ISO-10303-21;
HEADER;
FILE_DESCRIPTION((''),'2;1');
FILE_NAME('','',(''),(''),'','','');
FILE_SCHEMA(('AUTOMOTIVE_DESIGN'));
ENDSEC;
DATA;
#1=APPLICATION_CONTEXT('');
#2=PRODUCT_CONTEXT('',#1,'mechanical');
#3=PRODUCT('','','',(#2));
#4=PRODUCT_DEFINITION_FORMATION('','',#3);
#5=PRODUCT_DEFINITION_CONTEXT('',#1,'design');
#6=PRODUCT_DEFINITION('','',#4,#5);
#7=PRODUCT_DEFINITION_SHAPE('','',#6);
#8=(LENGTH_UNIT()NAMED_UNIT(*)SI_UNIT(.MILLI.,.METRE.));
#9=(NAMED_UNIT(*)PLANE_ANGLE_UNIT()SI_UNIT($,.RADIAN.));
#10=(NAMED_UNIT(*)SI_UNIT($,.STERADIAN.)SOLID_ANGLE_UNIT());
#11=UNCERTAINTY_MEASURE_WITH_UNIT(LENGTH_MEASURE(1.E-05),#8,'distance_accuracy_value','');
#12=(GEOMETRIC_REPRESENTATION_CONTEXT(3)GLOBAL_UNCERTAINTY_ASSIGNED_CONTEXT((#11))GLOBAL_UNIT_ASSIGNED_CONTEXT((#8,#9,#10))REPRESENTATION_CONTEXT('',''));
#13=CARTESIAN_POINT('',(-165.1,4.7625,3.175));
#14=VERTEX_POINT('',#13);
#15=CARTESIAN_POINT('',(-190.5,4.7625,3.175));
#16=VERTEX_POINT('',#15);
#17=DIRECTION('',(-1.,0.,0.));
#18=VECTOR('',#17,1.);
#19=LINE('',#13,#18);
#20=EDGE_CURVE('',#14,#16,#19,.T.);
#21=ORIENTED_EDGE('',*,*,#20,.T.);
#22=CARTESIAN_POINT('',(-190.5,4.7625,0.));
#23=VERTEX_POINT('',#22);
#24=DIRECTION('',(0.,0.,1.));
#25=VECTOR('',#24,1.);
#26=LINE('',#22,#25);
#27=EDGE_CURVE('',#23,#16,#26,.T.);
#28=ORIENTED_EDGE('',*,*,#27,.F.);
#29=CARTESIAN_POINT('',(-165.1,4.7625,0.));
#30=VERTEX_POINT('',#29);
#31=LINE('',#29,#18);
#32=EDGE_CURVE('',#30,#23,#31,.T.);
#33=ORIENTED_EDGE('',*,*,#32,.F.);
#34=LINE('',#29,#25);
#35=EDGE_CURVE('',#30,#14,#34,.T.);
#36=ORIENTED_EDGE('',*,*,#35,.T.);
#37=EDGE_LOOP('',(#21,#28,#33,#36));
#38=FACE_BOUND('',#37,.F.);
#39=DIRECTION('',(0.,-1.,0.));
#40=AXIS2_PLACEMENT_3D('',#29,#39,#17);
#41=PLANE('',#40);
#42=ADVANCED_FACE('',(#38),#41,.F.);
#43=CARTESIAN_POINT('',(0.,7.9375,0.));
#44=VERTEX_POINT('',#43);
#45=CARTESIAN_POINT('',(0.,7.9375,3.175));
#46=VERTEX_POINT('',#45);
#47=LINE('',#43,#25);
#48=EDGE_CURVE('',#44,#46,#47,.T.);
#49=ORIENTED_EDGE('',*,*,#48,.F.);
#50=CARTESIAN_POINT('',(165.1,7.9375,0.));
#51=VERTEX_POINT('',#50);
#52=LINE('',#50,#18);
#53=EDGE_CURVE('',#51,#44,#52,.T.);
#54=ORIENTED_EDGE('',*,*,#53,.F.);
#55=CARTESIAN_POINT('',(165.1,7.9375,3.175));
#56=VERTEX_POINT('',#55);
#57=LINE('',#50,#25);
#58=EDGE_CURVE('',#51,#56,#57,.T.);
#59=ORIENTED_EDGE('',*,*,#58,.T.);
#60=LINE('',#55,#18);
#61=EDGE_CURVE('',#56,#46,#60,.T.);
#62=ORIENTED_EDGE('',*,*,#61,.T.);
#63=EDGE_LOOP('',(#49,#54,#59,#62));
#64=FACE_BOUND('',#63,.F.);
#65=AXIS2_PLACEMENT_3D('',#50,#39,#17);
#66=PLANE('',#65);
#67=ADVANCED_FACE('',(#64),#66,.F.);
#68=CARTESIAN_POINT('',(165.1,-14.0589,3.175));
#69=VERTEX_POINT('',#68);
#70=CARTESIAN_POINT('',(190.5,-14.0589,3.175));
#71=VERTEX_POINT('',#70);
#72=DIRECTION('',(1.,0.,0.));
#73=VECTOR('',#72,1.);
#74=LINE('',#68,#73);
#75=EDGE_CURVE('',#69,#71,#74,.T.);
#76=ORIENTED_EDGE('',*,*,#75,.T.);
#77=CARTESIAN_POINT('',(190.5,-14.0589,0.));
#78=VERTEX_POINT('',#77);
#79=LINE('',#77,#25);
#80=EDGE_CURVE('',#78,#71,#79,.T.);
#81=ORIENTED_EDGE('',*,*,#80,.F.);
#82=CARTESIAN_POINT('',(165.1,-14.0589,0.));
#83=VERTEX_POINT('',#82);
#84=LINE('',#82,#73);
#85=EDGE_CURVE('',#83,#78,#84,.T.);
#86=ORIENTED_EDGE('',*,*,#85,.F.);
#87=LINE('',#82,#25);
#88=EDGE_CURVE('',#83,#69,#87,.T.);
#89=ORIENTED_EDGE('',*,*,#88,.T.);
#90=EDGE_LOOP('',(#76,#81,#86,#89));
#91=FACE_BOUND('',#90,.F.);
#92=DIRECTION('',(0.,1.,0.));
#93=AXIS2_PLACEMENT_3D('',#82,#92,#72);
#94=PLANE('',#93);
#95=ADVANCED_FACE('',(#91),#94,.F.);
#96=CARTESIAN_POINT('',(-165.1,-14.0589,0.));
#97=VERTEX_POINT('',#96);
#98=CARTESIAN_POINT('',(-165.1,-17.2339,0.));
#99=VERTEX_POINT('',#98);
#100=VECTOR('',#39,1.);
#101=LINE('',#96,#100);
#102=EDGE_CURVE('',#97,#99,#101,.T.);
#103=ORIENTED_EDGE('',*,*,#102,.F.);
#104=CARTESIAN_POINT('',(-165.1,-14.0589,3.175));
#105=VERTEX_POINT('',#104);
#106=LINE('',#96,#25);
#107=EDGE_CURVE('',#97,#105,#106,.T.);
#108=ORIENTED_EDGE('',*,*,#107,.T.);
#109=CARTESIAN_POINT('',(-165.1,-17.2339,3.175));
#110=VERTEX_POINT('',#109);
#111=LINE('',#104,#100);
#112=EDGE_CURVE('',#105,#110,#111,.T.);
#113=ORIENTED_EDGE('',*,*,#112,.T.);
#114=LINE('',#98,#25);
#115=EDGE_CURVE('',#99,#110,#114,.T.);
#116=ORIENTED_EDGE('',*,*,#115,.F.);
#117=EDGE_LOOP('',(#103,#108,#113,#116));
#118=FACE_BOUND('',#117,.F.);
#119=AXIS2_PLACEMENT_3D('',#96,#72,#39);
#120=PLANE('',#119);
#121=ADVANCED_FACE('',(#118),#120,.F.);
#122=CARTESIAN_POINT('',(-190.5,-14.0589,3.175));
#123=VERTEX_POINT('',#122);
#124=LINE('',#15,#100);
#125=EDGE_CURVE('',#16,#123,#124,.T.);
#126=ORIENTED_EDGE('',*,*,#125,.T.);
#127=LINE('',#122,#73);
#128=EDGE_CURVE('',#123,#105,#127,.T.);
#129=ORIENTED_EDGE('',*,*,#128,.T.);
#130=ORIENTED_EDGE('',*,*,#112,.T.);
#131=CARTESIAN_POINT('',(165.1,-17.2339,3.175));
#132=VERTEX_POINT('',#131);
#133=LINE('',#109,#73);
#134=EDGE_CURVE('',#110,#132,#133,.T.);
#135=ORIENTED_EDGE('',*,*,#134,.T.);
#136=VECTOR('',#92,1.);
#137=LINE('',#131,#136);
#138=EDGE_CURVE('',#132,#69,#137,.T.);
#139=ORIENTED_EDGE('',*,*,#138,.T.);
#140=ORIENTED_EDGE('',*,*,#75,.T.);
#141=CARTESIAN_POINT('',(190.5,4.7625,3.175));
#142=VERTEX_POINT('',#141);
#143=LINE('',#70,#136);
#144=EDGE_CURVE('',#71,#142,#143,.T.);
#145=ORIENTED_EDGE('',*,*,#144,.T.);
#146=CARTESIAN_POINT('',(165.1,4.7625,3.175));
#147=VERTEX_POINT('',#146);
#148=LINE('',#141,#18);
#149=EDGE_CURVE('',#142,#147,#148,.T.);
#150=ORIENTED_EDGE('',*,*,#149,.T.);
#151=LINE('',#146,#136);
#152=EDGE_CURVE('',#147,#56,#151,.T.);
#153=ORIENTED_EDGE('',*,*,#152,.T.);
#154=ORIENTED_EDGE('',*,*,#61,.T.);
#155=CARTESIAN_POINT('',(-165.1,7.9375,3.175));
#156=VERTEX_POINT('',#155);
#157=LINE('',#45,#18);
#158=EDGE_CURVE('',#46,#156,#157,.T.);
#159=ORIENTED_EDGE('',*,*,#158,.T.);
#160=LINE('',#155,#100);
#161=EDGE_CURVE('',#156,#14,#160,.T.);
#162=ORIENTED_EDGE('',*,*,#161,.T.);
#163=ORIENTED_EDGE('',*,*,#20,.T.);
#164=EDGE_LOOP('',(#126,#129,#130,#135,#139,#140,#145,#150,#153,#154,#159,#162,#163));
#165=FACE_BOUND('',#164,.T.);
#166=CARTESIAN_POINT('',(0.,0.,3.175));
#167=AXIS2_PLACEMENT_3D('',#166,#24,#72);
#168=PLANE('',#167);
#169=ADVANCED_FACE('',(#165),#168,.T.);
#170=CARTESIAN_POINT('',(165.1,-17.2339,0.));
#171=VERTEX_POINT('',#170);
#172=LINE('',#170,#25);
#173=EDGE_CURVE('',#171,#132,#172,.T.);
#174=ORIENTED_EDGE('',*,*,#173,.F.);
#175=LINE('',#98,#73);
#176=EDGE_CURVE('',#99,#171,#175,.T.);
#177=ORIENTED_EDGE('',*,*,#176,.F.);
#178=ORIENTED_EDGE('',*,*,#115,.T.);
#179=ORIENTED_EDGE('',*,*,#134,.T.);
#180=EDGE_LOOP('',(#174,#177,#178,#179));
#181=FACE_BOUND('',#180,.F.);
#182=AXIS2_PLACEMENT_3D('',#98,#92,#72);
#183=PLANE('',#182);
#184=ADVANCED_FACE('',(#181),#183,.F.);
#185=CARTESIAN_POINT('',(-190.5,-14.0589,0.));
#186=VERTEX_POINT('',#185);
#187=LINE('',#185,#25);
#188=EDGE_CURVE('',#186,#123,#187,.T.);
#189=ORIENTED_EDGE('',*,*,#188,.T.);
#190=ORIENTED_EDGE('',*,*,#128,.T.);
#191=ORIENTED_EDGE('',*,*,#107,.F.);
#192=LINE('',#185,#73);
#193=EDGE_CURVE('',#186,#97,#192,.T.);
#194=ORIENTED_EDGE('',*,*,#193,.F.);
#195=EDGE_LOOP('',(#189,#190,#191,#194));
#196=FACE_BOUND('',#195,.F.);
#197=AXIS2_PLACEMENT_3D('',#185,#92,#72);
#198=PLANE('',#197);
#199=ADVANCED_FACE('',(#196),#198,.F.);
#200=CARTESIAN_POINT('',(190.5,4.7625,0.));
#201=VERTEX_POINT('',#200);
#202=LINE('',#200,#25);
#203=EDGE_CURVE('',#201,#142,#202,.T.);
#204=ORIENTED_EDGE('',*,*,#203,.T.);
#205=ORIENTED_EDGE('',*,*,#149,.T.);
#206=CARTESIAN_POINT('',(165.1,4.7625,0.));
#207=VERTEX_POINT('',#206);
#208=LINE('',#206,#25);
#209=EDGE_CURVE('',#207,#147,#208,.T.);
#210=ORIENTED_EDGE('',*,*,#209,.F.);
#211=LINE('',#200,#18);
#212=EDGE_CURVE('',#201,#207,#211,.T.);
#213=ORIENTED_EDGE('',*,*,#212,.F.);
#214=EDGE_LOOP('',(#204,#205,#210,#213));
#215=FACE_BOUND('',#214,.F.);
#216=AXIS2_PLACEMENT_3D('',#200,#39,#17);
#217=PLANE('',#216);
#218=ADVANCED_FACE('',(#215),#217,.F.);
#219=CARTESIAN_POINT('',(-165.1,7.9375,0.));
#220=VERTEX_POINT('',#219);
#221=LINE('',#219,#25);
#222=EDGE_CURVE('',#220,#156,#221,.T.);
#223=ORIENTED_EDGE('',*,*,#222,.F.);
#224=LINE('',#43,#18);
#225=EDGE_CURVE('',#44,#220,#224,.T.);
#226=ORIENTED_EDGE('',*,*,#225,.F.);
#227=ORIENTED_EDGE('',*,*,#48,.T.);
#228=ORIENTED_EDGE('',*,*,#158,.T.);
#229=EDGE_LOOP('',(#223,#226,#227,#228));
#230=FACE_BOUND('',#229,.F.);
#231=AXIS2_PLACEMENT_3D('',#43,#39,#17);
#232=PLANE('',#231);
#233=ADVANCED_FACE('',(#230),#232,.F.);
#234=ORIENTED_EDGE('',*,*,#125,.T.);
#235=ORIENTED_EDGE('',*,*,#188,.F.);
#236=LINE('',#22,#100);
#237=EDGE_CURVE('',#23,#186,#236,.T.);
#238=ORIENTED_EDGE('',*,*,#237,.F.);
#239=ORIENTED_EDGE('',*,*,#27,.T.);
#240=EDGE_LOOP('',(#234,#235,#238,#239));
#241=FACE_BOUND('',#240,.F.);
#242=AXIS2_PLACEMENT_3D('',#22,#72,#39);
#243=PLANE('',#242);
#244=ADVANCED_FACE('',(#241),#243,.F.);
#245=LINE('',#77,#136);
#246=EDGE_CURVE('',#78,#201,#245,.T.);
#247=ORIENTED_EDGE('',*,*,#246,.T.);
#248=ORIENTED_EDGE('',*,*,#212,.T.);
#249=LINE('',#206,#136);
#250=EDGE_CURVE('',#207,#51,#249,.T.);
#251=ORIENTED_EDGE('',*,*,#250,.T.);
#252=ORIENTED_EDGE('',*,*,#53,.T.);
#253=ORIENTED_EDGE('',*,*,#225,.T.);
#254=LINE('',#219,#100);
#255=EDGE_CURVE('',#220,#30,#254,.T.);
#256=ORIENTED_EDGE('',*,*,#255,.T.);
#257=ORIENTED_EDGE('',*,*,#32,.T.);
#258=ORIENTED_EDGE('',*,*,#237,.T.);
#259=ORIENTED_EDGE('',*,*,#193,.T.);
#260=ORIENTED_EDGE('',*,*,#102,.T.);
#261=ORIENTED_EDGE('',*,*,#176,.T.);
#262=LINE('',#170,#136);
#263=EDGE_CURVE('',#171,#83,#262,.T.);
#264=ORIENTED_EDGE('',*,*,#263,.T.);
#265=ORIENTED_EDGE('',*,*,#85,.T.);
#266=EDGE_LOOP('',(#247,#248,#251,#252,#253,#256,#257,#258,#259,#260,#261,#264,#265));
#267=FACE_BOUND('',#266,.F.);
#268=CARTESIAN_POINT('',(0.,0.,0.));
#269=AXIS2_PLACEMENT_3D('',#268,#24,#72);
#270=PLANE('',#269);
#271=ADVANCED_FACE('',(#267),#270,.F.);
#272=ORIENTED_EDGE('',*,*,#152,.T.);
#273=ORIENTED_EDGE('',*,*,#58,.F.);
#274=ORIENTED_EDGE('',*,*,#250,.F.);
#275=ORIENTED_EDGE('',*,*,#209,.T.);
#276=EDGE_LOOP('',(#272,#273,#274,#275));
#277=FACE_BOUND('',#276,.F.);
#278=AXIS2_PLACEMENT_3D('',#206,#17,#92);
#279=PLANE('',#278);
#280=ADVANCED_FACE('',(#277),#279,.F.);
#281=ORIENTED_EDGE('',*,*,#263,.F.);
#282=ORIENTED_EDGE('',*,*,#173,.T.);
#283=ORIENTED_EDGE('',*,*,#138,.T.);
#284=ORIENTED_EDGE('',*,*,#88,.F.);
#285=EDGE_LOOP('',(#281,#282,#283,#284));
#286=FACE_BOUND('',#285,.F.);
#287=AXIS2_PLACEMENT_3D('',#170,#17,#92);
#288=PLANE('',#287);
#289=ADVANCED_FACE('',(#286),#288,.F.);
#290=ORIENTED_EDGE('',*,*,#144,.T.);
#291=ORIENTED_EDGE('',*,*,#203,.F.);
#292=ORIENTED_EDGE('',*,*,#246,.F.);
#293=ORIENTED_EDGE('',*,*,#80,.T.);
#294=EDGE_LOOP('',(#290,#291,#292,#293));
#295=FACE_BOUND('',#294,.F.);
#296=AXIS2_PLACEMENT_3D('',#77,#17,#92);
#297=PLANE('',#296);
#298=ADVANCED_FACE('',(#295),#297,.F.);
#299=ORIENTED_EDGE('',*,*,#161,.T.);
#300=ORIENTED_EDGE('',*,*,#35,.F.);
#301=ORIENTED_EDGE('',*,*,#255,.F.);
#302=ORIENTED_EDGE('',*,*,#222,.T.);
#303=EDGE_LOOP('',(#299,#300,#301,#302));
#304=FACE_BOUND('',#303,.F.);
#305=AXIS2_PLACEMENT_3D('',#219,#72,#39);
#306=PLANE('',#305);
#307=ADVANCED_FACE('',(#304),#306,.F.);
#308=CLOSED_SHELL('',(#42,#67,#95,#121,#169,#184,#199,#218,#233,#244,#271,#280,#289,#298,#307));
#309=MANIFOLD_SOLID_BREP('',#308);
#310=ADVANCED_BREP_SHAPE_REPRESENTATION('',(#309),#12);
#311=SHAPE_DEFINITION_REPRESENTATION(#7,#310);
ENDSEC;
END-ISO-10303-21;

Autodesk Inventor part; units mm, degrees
ref_plane "YZ Plane" through (0, 0, 0) normal (1, 0, 0) x (0, 1, 0)
ref_plane "XZ Plane" through (0, 0, 0) normal (0, 1, 0) x (-1, 0, 0)
ref_plane "XY Plane" through (0, 0, 0) normal (0, 0, 1) x (1, 0, 0)
sketch "Sketch1" plane through (0, 0, 0) normal (0, 0, 1) x (1, 0, 0)
  line L0 (0, 7.9375) -> (-165.1, 7.9375)
  line L1 (-165.1, 7.9375) -> (-165.1, 4.7625)
  line L2 (-165.1, 4.7625) -> (-190.5, 4.7625)
  line L3 (-190.5, 4.7625) -> (-190.5, -14.0589)
  line L4 (-190.5, -14.0589) -> (-165.1, -14.0589)
  line L5 (-165.1, -14.0589) -> (-165.1, -17.2339)
  line L6 (-165.1, -17.2339) -> (165.1, -17.2339)
  line L7 (165.1, -17.2339) -> (165.1, -14.0589)
  line L8 (165.1, -14.0589) -> (190.5, -14.0589)
  line L9 (190.5, -14.0589) -> (190.5, 4.7625)
  line L10 (190.5, 4.7625) -> (165.1, 4.7625)
  line L11 (165.1, 4.7625) -> (165.1, 7.9375)
  line L12 (165.1, 7.9375) -> (0, 7.9375)
  point P0 (0, 0)
  dimension "d0" = 165.1
  dimension "d1" = 3.175
  dimension "d2" = 25.4
  dimension "d3" = 18.8214
  dimension "d4" = 25.4
  dimension "d5" = 3.175
  dimension "d6" = 330.2
  dimension "d7" = 3.175
  dimension "d8" = 25.4
  dimension "d9" = 90
  dimension "d10" = 18.8214
  dimension "d11" = 25.4
  dimension "d12" = 3.175
extrude "Extrusion1" add sketch "Sketch1" along normal blind 3.175
properties part number "back"
